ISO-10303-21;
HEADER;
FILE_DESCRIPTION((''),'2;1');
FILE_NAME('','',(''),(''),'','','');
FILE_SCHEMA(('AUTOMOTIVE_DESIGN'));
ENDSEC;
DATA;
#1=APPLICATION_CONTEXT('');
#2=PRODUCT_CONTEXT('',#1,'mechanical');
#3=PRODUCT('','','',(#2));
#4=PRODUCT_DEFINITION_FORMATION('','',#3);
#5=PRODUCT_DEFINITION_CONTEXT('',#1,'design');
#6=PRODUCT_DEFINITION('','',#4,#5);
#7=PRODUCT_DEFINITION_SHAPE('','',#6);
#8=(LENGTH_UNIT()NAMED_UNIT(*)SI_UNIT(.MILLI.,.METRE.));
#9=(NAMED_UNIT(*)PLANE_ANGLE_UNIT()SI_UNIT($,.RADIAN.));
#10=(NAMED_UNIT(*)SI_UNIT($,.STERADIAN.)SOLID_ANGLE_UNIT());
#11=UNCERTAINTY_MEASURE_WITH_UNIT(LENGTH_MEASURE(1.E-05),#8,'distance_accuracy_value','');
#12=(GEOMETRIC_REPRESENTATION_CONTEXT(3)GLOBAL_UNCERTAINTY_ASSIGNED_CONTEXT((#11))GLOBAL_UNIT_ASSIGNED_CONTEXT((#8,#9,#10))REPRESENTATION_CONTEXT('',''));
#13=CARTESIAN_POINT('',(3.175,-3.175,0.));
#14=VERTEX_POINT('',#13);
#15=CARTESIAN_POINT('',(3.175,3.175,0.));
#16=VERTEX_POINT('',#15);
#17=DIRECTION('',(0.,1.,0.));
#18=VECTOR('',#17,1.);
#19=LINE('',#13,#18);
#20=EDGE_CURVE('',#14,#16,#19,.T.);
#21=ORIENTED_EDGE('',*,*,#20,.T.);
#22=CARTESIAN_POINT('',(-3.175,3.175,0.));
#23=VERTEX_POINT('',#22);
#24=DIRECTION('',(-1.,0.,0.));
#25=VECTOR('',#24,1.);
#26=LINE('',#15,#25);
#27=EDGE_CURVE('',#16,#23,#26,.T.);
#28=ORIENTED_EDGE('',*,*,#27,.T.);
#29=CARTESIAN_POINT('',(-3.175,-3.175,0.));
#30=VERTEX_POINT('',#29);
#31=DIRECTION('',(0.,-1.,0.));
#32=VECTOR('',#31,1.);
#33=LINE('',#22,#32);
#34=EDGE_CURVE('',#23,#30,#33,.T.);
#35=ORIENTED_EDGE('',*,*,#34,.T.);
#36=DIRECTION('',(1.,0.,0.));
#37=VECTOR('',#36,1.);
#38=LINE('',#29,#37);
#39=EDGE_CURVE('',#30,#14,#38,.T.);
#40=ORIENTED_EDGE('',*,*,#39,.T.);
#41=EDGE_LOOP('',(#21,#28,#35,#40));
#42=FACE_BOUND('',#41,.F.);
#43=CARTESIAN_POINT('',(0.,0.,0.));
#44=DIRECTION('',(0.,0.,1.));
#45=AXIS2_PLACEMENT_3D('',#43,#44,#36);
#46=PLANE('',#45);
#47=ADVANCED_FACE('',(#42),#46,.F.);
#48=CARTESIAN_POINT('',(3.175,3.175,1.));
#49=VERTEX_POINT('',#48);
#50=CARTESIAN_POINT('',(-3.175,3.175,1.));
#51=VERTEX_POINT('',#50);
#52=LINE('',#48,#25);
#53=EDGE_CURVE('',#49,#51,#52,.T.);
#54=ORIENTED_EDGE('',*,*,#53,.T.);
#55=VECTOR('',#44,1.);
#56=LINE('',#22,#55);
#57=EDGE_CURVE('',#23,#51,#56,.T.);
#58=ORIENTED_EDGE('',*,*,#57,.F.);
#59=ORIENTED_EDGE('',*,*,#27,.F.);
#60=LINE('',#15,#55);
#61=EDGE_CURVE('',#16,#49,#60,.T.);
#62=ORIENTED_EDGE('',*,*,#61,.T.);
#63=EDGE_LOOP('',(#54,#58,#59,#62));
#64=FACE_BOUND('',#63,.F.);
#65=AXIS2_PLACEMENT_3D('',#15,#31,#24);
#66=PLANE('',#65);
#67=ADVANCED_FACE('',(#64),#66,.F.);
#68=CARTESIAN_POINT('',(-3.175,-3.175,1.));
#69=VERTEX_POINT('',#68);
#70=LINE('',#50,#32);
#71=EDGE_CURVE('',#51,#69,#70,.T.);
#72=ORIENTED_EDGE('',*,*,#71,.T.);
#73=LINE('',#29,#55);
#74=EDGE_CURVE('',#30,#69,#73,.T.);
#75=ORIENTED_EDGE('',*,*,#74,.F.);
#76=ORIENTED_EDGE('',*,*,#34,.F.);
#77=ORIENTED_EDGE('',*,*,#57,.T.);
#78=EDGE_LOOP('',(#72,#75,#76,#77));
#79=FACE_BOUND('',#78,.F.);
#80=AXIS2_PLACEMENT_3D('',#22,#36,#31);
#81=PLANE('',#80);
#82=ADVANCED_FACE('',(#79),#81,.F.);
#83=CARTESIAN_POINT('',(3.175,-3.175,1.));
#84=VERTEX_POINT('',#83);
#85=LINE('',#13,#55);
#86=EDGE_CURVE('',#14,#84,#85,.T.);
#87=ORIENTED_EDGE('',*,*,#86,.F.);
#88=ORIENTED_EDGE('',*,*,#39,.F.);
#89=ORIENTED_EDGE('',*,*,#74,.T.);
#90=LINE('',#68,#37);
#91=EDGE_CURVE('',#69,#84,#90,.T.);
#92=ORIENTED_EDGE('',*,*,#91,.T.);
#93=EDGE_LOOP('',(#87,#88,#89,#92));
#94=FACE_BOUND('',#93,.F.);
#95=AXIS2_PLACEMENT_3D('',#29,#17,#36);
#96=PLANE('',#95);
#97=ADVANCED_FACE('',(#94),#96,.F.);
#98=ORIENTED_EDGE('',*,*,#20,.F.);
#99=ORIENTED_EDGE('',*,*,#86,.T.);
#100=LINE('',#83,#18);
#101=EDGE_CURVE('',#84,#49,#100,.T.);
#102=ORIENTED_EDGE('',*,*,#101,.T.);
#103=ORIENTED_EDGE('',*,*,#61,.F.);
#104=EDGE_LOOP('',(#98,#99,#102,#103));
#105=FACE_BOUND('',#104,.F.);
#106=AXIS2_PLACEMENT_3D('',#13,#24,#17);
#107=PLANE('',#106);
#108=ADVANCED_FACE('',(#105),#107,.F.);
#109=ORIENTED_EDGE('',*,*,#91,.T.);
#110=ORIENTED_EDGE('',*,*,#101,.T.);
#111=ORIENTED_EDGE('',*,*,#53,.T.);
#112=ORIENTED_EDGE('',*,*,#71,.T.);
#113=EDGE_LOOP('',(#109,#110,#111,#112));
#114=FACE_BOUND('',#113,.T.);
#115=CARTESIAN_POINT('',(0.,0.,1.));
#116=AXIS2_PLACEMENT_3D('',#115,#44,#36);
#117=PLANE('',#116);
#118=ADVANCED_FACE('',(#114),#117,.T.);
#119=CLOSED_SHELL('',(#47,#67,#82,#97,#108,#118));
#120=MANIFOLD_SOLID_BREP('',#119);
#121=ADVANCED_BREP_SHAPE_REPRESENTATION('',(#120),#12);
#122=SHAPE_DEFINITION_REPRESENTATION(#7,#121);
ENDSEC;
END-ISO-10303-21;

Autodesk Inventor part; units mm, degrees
ref_plane "YZ Plane" through (0, 0, 0) normal (1, 0, 0) x (0, 1, 0)
ref_plane "XZ Plane" through (0, 0, 0) normal (0, 1, 0) x (-1, 0, 0)
ref_plane "XY Plane" through (0, 0, 0) normal (0, 0, 1) x (1, 0, 0)
sketch "Sketch1" plane through (0, 0, 0) normal (0, 0, 1) x (1, 0, 0)
  line L0 (3.175, -3.175) -> (3.175, 3.175)
  line L1 (3.175, 3.175) -> (-3.175, 3.175)
  line L2 (-3.175, 3.175) -> (-3.175, -3.175)
  line L3 (-3.175, -3.175) -> (3.175, -3.175)
  line L4 (0, 0) -> (1.3238, 0)
  line L5 (0, 0) -> (0, 0.8095)
  dimension "d0" = 6.35
  dimension "d1" = 6.35
extrude "Extrusion1" add sketch "Sketch1" along normal blind 1
properties part number "RX_tan_U7_MBC13917"
